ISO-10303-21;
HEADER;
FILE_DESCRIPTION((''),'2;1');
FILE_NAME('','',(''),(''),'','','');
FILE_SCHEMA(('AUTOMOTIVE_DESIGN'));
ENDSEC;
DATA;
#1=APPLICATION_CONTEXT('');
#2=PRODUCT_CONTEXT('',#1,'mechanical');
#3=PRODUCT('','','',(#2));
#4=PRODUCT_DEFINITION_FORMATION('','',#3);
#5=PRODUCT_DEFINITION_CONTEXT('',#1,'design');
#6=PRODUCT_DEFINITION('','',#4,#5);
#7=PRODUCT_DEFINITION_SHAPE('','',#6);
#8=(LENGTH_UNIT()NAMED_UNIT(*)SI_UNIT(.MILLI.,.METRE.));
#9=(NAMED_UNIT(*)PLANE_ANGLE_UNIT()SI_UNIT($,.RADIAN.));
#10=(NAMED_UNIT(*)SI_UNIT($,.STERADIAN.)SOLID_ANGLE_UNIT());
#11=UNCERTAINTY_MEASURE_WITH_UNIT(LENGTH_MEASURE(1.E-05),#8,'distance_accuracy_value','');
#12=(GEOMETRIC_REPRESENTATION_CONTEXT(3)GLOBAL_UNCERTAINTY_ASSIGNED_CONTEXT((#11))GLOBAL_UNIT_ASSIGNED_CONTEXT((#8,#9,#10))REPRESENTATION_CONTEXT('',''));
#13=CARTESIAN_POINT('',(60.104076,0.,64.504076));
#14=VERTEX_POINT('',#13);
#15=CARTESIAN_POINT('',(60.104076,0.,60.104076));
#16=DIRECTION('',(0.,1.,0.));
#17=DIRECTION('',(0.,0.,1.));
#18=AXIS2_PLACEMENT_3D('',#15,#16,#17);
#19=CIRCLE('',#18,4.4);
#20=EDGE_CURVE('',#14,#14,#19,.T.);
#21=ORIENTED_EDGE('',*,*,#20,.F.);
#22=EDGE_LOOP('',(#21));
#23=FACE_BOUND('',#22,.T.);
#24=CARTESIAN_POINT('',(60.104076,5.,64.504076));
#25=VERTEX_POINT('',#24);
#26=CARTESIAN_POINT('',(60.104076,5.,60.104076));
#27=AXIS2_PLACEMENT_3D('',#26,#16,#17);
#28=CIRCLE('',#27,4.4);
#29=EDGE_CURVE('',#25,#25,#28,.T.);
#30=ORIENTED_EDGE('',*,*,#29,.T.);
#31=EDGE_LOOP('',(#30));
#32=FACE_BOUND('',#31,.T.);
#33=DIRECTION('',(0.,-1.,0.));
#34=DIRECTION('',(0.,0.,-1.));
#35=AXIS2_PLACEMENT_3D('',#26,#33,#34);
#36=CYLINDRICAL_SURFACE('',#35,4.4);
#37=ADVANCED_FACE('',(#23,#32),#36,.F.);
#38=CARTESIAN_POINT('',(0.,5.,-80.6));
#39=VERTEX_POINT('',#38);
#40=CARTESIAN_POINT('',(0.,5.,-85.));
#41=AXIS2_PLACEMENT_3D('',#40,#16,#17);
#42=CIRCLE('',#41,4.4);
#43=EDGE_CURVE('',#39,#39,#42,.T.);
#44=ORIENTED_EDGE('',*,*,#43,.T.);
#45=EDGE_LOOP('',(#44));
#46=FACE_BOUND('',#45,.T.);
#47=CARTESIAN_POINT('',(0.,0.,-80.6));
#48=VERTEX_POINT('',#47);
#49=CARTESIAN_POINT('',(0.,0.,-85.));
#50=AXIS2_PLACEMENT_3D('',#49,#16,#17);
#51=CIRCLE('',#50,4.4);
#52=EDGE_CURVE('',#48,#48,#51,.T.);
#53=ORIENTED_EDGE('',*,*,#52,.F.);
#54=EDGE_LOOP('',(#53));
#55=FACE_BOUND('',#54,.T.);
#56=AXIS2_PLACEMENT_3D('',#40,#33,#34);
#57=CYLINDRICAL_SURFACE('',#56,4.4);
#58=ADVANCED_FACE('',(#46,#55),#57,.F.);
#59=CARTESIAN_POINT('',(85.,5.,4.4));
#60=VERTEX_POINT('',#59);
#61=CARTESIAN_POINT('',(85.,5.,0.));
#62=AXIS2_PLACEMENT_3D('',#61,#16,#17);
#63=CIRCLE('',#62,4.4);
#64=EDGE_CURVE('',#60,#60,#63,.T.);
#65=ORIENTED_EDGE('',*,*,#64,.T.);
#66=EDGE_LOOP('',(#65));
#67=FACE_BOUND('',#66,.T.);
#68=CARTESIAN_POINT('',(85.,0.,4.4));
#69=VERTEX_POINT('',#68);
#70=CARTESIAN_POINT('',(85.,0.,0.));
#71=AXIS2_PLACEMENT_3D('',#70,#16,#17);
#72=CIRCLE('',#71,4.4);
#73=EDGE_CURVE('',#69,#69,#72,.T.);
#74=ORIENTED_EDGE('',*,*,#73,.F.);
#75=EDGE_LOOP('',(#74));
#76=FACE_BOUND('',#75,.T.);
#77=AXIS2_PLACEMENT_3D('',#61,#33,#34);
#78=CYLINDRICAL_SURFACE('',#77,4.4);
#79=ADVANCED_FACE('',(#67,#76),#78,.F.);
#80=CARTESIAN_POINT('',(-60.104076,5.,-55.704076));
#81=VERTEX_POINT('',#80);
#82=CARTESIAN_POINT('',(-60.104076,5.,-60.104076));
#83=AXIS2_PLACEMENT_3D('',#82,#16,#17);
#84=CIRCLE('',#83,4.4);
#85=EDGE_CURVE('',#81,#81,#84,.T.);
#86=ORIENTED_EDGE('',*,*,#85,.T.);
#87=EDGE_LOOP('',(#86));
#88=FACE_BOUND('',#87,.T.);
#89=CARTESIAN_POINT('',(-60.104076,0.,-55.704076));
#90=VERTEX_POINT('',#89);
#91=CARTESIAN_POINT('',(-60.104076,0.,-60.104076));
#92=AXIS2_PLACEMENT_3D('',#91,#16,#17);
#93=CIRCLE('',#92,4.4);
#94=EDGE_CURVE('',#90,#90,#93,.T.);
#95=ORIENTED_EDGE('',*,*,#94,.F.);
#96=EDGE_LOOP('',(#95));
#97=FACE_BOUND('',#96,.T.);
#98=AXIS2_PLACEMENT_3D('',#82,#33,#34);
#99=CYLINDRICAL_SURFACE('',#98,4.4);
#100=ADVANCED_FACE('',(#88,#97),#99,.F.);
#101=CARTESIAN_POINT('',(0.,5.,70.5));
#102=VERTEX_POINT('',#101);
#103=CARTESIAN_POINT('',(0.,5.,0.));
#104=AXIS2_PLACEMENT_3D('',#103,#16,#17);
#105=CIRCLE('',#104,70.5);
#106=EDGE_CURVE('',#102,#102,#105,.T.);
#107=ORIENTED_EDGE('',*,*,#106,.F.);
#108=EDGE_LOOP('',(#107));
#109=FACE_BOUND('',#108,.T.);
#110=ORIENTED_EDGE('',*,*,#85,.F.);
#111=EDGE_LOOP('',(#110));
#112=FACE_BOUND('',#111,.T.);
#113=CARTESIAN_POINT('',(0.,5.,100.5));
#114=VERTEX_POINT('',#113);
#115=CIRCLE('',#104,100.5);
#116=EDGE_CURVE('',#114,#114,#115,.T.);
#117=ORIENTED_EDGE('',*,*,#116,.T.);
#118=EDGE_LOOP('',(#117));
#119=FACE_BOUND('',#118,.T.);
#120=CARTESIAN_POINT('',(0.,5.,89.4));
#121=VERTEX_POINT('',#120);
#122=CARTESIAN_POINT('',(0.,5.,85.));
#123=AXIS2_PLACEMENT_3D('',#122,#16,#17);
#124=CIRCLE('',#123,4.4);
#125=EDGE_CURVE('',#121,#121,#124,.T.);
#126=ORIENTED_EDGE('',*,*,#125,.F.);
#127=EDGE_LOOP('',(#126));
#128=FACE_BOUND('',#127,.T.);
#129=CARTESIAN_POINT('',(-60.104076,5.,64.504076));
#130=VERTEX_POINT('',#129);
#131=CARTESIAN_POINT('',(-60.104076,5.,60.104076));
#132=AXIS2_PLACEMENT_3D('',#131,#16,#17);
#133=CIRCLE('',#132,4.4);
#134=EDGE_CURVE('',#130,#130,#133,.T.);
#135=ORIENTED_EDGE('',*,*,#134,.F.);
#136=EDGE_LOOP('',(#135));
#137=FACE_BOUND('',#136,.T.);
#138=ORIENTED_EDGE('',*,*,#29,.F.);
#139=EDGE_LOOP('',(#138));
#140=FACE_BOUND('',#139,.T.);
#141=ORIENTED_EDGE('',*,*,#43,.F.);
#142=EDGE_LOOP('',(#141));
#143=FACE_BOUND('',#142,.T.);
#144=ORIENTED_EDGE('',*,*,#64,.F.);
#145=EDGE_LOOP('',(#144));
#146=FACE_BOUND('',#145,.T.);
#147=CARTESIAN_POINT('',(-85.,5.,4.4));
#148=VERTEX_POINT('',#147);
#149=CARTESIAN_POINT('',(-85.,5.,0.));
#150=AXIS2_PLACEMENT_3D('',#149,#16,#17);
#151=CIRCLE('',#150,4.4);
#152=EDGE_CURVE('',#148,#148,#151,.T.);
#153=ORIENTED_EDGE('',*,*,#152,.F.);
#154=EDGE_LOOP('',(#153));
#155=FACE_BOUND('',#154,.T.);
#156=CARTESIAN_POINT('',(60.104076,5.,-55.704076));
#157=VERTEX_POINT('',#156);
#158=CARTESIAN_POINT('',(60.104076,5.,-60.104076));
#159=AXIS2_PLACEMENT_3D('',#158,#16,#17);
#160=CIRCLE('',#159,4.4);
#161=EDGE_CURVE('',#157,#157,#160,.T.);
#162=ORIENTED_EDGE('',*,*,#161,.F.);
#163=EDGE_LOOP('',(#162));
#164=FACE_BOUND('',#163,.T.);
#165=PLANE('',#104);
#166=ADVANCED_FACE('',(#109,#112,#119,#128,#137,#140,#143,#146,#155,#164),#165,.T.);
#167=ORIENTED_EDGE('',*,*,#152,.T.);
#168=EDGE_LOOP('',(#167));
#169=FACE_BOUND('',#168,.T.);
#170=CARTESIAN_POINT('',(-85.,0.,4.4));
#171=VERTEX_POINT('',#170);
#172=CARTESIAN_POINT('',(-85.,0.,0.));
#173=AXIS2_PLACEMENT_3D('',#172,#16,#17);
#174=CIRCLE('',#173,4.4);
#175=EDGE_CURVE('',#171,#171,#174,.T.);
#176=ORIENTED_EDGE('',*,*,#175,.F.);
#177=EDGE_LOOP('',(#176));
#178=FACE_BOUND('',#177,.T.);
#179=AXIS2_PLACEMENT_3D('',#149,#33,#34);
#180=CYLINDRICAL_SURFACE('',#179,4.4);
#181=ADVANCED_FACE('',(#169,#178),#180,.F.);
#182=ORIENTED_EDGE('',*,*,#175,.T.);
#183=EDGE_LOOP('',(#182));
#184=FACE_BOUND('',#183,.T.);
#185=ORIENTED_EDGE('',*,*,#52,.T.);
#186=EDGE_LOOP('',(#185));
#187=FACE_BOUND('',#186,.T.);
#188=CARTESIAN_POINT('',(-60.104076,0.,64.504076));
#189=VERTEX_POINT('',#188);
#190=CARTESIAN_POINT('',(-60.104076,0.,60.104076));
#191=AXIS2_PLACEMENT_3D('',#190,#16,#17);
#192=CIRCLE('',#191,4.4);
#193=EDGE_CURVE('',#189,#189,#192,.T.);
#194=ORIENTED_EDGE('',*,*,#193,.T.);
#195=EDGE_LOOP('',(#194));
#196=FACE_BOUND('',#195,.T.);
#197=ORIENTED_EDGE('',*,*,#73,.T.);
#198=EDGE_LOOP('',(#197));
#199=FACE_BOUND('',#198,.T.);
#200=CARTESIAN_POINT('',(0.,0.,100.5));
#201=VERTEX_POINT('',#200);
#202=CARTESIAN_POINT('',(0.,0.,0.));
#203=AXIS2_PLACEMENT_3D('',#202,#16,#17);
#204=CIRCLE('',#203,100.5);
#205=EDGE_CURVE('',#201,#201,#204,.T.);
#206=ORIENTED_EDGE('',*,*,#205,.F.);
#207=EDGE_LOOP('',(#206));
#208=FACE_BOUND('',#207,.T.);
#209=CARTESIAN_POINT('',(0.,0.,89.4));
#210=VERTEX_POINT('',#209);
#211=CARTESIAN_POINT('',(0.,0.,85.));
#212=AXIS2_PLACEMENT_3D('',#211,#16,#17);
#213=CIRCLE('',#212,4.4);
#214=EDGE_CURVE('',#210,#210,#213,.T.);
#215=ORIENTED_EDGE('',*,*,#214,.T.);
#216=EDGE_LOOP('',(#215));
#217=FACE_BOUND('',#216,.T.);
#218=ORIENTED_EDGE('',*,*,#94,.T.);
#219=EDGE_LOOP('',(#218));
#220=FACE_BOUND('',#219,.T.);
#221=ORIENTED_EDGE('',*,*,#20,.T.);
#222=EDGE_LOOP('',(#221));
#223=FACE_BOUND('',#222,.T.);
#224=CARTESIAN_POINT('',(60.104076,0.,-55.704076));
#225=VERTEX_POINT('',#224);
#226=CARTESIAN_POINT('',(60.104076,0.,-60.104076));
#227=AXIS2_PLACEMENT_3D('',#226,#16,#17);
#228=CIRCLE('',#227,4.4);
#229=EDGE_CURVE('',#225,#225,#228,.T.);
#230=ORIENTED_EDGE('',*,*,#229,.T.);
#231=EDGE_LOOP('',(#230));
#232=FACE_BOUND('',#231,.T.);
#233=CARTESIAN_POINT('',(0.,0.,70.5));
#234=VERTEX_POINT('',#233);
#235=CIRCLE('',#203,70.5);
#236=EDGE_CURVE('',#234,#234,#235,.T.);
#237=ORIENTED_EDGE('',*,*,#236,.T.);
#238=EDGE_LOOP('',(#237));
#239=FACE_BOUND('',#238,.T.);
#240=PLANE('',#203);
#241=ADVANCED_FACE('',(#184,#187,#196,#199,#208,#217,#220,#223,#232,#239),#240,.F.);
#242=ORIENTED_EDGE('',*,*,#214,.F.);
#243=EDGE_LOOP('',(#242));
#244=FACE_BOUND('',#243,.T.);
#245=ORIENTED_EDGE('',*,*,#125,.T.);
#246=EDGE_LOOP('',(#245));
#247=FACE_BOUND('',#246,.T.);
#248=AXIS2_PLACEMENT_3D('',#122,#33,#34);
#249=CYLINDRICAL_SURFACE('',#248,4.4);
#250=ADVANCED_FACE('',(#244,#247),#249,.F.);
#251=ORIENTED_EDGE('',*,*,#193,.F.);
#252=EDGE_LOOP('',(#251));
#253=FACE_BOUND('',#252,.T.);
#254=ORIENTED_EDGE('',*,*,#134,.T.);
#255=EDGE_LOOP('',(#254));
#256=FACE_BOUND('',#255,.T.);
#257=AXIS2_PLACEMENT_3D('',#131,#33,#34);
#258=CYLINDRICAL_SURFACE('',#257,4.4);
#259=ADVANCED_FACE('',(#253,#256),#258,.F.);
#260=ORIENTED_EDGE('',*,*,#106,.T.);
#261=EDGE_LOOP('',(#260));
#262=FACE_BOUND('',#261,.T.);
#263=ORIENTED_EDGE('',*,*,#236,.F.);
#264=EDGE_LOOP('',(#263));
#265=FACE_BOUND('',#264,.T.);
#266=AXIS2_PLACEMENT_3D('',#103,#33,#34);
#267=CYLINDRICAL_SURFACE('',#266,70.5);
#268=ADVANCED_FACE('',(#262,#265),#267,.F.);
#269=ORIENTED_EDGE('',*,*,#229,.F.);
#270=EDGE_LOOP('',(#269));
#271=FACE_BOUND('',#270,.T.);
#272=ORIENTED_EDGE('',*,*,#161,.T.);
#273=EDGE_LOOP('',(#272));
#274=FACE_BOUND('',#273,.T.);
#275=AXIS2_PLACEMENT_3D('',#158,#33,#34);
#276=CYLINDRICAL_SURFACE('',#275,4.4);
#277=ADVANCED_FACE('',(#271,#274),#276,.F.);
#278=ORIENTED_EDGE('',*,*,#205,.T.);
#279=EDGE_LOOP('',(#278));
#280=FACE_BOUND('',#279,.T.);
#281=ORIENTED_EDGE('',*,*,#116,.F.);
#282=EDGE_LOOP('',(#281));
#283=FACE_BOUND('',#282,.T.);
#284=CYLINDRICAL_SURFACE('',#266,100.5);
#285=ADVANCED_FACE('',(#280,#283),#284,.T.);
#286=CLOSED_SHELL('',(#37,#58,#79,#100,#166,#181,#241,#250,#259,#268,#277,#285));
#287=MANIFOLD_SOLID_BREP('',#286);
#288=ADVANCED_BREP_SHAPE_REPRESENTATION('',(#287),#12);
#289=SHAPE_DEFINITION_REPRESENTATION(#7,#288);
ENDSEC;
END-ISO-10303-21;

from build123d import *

# Parameters (mm, degrees)
SKETCH_1_R      = 100.5
SKETCH_1_R_2    = 70.5
SKETCH_1_R_3    = 4.4
EXTRUDE_1_DEPTH = 5


with BuildPart() as part:
    # Эскиз1 → Бобышка-Вытянуть1 (new body)
    with BuildSketch(Plane(origin=(0, 0, 0), x_dir=(1, 0, 0), z_dir=(0, 1, 0))):
        with Locations(Location((0, 0, 0), (0, 0, 270))):
            Circle(SKETCH_1_R)
        with Locations(Location((0, 0, 0), (0, 0, 270))):
            Circle(SKETCH_1_R_2, mode=Mode.SUBTRACT)
        with Locations(Location((85, 0, 0), (0, 0, 270))):
            Circle(SKETCH_1_R_3, mode=Mode.SUBTRACT)
        with Locations(Location((60.104076401, -60.104076401, 0), (0, 0, 270))):
            Circle(SKETCH_1_R_3, mode=Mode.SUBTRACT)
        with Locations(Location((0, -85, 0), (0, 0, 270))):
            Circle(SKETCH_1_R_3, mode=Mode.SUBTRACT)
        with Locations(Location((-60.104076401, -60.104076401, 0), (0, 0, 270))):
            Circle(SKETCH_1_R_3, mode=Mode.SUBTRACT)
        with Locations(Location((-85, 0, 0), (0, 0, 270))):
            Circle(SKETCH_1_R_3, mode=Mode.SUBTRACT)
        with Locations(Location((-60.104076401, 60.104076401, 0), (0, 0, 270))):
            Circle(SKETCH_1_R_3, mode=Mode.SUBTRACT)
        with Locations(Location((0, 85, 0), (0, 0, 270))):
            Circle(SKETCH_1_R_3, mode=Mode.SUBTRACT)
        with Locations(Location((60.104076401, 60.104076401, 0), (0, 0, 270))):
            Circle(SKETCH_1_R_3, mode=Mode.SUBTRACT)
    extrude(amount=EXTRUDE_1_DEPTH)


solid = part.part
